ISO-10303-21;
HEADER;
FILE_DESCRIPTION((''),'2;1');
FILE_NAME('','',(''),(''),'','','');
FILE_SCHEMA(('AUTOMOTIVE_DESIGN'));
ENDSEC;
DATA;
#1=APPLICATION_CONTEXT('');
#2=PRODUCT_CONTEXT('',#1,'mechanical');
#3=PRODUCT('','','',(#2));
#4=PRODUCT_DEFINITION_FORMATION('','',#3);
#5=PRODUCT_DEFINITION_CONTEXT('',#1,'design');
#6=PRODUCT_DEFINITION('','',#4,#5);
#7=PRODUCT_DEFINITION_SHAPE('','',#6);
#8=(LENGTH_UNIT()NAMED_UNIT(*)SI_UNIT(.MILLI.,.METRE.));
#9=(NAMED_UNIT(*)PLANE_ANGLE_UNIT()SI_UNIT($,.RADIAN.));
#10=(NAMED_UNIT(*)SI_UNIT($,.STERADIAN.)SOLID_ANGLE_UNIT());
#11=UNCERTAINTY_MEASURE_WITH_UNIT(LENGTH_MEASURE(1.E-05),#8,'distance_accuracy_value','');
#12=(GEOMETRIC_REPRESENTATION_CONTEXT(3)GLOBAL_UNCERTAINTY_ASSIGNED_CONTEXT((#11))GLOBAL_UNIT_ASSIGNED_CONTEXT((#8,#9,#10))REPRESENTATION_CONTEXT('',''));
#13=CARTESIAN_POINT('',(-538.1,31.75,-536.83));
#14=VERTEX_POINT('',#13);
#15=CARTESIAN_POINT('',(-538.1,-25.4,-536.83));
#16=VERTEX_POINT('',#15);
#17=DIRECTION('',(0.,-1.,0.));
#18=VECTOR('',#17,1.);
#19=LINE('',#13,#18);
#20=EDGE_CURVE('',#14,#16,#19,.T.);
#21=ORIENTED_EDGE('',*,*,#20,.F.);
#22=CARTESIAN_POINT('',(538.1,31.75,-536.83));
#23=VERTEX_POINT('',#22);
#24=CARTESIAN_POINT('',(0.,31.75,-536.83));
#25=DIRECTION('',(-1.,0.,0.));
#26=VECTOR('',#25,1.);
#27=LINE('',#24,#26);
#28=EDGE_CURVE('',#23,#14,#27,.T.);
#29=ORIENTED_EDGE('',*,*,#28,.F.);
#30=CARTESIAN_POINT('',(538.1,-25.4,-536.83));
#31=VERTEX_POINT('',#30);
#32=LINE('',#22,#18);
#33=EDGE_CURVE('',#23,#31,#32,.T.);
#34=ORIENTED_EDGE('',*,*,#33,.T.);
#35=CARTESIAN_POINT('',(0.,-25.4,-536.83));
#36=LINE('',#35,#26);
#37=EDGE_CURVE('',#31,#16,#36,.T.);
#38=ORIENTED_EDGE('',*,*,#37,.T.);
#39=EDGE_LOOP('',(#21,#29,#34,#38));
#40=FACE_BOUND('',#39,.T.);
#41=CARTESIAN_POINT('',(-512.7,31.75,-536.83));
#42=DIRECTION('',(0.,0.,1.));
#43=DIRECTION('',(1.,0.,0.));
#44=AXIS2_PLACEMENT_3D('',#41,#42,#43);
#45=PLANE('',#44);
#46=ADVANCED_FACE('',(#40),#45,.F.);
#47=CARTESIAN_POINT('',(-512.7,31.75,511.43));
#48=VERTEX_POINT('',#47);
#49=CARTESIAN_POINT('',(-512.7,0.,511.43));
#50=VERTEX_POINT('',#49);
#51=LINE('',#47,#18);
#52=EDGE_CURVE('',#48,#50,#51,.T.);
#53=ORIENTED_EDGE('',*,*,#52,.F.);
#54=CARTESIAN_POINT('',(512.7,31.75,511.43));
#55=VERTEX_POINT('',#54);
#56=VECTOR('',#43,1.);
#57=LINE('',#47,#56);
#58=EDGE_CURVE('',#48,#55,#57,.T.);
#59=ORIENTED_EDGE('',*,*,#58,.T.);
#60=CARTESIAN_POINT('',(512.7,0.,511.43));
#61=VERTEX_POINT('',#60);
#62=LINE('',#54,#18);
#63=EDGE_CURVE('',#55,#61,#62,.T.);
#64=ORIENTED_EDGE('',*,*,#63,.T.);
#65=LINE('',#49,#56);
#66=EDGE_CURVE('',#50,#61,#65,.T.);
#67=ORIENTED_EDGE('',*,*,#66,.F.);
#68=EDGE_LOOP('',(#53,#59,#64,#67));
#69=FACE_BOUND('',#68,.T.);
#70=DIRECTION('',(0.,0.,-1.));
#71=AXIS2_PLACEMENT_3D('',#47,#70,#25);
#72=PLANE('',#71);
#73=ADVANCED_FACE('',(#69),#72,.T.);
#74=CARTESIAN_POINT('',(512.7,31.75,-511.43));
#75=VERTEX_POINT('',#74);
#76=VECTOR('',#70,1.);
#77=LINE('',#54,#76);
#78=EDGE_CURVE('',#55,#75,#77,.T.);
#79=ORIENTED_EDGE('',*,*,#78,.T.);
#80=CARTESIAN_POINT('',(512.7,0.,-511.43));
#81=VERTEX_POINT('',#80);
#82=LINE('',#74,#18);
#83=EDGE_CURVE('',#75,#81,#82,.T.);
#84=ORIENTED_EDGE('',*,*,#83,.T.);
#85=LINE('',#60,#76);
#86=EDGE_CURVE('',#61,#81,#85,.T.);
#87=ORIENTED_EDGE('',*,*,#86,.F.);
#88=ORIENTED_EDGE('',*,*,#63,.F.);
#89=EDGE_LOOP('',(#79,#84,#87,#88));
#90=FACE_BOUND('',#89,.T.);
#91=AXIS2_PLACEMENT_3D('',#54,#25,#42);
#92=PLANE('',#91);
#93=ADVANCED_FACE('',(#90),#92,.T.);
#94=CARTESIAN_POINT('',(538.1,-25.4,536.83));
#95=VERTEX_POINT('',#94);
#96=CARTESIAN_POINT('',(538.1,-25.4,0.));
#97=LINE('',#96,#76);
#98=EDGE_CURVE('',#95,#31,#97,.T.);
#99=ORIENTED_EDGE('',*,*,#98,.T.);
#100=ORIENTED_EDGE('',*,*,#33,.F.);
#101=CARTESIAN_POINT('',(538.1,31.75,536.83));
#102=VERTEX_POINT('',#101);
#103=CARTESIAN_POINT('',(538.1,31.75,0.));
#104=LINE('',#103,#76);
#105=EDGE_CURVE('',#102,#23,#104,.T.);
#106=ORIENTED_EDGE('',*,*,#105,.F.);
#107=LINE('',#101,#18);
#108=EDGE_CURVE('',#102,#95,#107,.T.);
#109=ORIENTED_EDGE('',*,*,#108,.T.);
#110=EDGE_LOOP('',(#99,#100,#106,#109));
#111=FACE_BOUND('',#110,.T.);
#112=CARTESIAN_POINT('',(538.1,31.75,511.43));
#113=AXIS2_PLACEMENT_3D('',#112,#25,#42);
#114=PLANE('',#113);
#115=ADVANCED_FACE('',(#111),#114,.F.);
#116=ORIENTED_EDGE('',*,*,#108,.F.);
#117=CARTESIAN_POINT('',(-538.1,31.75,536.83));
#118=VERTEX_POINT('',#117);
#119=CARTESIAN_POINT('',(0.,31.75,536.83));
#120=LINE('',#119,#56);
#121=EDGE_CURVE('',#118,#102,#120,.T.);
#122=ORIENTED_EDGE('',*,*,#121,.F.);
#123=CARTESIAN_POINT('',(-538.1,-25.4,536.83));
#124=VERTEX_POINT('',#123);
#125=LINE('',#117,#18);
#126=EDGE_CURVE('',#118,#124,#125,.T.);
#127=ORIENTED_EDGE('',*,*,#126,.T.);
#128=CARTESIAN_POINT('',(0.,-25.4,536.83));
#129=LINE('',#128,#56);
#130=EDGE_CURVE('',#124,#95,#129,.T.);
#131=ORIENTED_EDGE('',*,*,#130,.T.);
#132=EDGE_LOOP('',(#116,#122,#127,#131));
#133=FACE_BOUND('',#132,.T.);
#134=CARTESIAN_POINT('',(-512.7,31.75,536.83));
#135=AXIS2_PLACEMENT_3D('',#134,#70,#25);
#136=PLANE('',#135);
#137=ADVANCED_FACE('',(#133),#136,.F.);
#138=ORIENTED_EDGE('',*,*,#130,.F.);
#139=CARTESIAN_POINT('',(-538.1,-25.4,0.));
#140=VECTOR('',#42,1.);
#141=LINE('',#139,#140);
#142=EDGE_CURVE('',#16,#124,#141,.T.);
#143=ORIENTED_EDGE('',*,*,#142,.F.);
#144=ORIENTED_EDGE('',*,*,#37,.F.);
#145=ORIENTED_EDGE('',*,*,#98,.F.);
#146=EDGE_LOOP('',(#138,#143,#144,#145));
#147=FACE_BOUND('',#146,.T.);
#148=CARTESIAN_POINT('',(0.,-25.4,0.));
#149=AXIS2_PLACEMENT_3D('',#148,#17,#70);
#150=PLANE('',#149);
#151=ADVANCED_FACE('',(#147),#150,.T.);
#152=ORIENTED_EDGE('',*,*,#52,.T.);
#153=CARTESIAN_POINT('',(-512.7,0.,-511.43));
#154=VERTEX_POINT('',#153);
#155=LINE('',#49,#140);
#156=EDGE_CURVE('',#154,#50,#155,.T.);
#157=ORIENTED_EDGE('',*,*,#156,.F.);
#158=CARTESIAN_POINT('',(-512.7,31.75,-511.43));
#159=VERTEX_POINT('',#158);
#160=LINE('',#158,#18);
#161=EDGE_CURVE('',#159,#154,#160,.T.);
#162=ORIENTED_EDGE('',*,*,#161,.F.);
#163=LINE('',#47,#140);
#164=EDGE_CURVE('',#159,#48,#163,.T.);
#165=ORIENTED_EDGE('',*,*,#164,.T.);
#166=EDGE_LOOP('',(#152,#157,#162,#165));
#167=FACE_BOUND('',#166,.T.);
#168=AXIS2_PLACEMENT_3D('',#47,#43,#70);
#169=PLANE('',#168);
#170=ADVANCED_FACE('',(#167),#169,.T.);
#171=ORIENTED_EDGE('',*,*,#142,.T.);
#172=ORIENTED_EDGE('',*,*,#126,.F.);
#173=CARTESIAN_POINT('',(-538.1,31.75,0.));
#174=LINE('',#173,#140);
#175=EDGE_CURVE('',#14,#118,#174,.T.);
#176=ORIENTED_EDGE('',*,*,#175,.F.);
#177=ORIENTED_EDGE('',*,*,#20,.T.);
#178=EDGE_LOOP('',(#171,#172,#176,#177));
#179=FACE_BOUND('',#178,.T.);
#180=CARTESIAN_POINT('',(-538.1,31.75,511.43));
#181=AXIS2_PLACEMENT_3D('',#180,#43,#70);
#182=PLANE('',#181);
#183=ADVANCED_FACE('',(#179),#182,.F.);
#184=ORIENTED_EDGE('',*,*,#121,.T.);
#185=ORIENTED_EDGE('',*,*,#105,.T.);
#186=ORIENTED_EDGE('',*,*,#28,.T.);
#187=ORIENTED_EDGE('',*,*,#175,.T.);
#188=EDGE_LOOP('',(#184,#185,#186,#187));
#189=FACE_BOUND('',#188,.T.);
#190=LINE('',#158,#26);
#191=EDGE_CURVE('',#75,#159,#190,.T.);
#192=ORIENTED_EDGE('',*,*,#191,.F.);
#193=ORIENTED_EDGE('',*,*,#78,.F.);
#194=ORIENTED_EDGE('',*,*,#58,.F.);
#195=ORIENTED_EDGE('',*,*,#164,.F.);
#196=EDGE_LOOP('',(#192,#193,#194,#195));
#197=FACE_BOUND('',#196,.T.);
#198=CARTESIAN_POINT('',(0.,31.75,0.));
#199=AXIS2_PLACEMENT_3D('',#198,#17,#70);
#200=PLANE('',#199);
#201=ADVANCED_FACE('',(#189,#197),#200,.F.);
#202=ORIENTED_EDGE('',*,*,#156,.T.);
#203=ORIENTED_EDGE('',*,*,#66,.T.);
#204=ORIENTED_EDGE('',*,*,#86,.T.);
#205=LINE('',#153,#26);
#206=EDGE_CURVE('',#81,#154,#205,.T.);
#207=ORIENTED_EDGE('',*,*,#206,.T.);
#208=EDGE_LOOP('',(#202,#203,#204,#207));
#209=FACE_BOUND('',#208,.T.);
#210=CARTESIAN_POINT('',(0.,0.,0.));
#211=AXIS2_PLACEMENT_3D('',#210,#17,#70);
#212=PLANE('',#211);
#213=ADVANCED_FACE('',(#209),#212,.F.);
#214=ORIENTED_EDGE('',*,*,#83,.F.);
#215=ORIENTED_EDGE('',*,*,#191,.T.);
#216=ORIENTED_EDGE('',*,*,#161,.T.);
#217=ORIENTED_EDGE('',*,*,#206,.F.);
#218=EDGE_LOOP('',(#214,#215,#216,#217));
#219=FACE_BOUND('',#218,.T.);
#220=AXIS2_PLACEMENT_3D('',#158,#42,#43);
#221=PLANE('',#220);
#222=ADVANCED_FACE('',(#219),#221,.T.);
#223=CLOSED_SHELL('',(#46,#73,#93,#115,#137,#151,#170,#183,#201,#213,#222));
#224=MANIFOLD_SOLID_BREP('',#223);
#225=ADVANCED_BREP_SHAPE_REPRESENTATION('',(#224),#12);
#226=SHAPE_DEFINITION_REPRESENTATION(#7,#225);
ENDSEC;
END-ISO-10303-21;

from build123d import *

# Parameters (mm, degrees)
SKETCH1_W           = 1025.399999996
SKETCH1_H           = 1022.859999996
BOSS_EXTRUDE1_DEPTH = 31.75
SHELL1_T            = 25.4


with BuildPart() as part:
    # Sketch1 → Boss-Extrude1 (new body)
    with BuildSketch(Plane(origin=(0, 0, 0), x_dir=(1, 0, 0), z_dir=(0, 1, 0))):
        Rectangle(SKETCH1_W, SKETCH1_H)
    extrude(amount=BOSS_EXTRUDE1_DEPTH)

    # Shell1
    shell1_openings = [part.faces().sort_by_distance(p)[0] for p in [
        (0, 31.75, 0),
    ]]
    offset(amount=SHELL1_T, openings=shell1_openings, kind=Kind.INTERSECTION)


solid = part.part
